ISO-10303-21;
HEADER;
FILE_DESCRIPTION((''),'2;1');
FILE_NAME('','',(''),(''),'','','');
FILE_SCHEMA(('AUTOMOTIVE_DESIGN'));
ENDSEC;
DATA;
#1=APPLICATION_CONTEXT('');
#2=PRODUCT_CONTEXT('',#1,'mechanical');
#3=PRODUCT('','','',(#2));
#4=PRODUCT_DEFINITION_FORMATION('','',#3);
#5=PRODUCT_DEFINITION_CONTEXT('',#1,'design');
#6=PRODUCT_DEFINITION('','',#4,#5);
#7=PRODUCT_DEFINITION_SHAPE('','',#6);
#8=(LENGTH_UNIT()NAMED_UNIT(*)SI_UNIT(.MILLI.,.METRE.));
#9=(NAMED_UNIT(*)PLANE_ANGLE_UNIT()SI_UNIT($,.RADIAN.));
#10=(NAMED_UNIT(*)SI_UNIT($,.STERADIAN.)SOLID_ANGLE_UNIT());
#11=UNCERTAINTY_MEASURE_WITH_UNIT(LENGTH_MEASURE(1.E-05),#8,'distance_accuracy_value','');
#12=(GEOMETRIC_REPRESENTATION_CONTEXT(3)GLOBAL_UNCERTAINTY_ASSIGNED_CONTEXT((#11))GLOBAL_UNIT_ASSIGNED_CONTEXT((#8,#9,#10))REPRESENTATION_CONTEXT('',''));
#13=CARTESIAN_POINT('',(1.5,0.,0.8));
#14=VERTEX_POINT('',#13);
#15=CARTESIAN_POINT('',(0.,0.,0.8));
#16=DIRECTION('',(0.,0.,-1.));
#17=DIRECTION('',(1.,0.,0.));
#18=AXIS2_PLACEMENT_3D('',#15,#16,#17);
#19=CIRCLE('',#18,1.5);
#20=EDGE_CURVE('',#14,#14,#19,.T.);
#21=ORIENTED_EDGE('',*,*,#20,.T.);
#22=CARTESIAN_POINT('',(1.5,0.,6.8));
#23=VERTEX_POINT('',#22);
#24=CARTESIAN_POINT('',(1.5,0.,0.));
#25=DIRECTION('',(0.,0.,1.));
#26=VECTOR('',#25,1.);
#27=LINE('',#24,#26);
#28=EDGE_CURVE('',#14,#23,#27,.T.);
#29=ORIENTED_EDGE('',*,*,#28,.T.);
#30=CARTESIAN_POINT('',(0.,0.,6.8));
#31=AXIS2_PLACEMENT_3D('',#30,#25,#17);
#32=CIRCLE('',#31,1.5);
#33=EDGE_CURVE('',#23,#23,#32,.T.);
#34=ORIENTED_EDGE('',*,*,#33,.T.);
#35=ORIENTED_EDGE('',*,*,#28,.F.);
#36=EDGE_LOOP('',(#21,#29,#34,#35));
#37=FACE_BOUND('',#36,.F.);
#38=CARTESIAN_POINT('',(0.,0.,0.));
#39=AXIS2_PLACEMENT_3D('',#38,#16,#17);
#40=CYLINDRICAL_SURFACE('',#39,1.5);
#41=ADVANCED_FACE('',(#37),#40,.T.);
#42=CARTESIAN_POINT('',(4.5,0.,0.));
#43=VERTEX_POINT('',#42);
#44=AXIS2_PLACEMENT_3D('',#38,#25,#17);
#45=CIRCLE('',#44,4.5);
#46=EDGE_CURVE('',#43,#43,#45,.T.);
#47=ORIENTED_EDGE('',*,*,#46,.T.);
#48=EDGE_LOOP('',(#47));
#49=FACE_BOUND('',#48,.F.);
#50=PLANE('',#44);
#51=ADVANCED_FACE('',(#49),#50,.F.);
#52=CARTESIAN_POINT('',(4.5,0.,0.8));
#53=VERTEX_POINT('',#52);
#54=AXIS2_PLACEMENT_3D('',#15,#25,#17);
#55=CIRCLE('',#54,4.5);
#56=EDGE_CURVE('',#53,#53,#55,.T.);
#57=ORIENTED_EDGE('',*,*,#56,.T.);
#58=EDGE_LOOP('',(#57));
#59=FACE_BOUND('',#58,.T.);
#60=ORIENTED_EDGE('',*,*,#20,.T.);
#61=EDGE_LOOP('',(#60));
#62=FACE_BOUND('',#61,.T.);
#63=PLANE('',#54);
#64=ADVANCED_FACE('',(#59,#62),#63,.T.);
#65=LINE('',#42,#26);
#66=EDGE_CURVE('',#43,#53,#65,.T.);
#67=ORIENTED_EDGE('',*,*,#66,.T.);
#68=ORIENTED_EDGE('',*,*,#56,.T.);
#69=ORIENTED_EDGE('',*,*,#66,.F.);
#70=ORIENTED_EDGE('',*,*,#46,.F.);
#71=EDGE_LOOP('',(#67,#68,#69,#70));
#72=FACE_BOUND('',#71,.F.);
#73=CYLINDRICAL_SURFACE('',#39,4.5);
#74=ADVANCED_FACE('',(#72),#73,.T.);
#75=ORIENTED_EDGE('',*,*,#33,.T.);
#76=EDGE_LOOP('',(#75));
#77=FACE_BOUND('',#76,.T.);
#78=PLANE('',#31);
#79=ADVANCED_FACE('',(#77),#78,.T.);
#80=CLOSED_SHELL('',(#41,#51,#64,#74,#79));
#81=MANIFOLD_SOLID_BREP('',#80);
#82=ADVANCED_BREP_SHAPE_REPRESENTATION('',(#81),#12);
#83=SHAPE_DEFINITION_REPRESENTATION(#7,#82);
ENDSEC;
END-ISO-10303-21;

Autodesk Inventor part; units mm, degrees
ref_plane "YZ Plane" through (0, 0, 0) normal (1, 0, 0) x (0, 1, 0)
ref_plane "XZ Plane" through (0, 0, 0) normal (0, 1, 0) x (-1, 0, 0)
ref_plane "XY Plane" through (0, 0, 0) normal (0, 0, 1) x (1, 0, 0)
sketch "スケッチ1" plane through (0, 0, 0) normal (0, 0, 1) x (1, 0, 0)
  circle A0 centre (0, 0) radius 4.5
  circle A1 centre (0, 0) radius 1.5
  dimension "d0" = 9
  dimension "d1" = 3
extrude "押し出し1" add sketch "スケッチ1" along normal blind 0.8 contours A0 | A1
extrude "押し出し2" add sketch "スケッチ1" along normal blind 6.8 contours A1
thread "ねじ1" size "M3x0.5" class "6g" standard "ANSI Metric M Profile" full length
properties part number "FreeHorn_Screw" material "ステンレス鋼 AISI 304"
